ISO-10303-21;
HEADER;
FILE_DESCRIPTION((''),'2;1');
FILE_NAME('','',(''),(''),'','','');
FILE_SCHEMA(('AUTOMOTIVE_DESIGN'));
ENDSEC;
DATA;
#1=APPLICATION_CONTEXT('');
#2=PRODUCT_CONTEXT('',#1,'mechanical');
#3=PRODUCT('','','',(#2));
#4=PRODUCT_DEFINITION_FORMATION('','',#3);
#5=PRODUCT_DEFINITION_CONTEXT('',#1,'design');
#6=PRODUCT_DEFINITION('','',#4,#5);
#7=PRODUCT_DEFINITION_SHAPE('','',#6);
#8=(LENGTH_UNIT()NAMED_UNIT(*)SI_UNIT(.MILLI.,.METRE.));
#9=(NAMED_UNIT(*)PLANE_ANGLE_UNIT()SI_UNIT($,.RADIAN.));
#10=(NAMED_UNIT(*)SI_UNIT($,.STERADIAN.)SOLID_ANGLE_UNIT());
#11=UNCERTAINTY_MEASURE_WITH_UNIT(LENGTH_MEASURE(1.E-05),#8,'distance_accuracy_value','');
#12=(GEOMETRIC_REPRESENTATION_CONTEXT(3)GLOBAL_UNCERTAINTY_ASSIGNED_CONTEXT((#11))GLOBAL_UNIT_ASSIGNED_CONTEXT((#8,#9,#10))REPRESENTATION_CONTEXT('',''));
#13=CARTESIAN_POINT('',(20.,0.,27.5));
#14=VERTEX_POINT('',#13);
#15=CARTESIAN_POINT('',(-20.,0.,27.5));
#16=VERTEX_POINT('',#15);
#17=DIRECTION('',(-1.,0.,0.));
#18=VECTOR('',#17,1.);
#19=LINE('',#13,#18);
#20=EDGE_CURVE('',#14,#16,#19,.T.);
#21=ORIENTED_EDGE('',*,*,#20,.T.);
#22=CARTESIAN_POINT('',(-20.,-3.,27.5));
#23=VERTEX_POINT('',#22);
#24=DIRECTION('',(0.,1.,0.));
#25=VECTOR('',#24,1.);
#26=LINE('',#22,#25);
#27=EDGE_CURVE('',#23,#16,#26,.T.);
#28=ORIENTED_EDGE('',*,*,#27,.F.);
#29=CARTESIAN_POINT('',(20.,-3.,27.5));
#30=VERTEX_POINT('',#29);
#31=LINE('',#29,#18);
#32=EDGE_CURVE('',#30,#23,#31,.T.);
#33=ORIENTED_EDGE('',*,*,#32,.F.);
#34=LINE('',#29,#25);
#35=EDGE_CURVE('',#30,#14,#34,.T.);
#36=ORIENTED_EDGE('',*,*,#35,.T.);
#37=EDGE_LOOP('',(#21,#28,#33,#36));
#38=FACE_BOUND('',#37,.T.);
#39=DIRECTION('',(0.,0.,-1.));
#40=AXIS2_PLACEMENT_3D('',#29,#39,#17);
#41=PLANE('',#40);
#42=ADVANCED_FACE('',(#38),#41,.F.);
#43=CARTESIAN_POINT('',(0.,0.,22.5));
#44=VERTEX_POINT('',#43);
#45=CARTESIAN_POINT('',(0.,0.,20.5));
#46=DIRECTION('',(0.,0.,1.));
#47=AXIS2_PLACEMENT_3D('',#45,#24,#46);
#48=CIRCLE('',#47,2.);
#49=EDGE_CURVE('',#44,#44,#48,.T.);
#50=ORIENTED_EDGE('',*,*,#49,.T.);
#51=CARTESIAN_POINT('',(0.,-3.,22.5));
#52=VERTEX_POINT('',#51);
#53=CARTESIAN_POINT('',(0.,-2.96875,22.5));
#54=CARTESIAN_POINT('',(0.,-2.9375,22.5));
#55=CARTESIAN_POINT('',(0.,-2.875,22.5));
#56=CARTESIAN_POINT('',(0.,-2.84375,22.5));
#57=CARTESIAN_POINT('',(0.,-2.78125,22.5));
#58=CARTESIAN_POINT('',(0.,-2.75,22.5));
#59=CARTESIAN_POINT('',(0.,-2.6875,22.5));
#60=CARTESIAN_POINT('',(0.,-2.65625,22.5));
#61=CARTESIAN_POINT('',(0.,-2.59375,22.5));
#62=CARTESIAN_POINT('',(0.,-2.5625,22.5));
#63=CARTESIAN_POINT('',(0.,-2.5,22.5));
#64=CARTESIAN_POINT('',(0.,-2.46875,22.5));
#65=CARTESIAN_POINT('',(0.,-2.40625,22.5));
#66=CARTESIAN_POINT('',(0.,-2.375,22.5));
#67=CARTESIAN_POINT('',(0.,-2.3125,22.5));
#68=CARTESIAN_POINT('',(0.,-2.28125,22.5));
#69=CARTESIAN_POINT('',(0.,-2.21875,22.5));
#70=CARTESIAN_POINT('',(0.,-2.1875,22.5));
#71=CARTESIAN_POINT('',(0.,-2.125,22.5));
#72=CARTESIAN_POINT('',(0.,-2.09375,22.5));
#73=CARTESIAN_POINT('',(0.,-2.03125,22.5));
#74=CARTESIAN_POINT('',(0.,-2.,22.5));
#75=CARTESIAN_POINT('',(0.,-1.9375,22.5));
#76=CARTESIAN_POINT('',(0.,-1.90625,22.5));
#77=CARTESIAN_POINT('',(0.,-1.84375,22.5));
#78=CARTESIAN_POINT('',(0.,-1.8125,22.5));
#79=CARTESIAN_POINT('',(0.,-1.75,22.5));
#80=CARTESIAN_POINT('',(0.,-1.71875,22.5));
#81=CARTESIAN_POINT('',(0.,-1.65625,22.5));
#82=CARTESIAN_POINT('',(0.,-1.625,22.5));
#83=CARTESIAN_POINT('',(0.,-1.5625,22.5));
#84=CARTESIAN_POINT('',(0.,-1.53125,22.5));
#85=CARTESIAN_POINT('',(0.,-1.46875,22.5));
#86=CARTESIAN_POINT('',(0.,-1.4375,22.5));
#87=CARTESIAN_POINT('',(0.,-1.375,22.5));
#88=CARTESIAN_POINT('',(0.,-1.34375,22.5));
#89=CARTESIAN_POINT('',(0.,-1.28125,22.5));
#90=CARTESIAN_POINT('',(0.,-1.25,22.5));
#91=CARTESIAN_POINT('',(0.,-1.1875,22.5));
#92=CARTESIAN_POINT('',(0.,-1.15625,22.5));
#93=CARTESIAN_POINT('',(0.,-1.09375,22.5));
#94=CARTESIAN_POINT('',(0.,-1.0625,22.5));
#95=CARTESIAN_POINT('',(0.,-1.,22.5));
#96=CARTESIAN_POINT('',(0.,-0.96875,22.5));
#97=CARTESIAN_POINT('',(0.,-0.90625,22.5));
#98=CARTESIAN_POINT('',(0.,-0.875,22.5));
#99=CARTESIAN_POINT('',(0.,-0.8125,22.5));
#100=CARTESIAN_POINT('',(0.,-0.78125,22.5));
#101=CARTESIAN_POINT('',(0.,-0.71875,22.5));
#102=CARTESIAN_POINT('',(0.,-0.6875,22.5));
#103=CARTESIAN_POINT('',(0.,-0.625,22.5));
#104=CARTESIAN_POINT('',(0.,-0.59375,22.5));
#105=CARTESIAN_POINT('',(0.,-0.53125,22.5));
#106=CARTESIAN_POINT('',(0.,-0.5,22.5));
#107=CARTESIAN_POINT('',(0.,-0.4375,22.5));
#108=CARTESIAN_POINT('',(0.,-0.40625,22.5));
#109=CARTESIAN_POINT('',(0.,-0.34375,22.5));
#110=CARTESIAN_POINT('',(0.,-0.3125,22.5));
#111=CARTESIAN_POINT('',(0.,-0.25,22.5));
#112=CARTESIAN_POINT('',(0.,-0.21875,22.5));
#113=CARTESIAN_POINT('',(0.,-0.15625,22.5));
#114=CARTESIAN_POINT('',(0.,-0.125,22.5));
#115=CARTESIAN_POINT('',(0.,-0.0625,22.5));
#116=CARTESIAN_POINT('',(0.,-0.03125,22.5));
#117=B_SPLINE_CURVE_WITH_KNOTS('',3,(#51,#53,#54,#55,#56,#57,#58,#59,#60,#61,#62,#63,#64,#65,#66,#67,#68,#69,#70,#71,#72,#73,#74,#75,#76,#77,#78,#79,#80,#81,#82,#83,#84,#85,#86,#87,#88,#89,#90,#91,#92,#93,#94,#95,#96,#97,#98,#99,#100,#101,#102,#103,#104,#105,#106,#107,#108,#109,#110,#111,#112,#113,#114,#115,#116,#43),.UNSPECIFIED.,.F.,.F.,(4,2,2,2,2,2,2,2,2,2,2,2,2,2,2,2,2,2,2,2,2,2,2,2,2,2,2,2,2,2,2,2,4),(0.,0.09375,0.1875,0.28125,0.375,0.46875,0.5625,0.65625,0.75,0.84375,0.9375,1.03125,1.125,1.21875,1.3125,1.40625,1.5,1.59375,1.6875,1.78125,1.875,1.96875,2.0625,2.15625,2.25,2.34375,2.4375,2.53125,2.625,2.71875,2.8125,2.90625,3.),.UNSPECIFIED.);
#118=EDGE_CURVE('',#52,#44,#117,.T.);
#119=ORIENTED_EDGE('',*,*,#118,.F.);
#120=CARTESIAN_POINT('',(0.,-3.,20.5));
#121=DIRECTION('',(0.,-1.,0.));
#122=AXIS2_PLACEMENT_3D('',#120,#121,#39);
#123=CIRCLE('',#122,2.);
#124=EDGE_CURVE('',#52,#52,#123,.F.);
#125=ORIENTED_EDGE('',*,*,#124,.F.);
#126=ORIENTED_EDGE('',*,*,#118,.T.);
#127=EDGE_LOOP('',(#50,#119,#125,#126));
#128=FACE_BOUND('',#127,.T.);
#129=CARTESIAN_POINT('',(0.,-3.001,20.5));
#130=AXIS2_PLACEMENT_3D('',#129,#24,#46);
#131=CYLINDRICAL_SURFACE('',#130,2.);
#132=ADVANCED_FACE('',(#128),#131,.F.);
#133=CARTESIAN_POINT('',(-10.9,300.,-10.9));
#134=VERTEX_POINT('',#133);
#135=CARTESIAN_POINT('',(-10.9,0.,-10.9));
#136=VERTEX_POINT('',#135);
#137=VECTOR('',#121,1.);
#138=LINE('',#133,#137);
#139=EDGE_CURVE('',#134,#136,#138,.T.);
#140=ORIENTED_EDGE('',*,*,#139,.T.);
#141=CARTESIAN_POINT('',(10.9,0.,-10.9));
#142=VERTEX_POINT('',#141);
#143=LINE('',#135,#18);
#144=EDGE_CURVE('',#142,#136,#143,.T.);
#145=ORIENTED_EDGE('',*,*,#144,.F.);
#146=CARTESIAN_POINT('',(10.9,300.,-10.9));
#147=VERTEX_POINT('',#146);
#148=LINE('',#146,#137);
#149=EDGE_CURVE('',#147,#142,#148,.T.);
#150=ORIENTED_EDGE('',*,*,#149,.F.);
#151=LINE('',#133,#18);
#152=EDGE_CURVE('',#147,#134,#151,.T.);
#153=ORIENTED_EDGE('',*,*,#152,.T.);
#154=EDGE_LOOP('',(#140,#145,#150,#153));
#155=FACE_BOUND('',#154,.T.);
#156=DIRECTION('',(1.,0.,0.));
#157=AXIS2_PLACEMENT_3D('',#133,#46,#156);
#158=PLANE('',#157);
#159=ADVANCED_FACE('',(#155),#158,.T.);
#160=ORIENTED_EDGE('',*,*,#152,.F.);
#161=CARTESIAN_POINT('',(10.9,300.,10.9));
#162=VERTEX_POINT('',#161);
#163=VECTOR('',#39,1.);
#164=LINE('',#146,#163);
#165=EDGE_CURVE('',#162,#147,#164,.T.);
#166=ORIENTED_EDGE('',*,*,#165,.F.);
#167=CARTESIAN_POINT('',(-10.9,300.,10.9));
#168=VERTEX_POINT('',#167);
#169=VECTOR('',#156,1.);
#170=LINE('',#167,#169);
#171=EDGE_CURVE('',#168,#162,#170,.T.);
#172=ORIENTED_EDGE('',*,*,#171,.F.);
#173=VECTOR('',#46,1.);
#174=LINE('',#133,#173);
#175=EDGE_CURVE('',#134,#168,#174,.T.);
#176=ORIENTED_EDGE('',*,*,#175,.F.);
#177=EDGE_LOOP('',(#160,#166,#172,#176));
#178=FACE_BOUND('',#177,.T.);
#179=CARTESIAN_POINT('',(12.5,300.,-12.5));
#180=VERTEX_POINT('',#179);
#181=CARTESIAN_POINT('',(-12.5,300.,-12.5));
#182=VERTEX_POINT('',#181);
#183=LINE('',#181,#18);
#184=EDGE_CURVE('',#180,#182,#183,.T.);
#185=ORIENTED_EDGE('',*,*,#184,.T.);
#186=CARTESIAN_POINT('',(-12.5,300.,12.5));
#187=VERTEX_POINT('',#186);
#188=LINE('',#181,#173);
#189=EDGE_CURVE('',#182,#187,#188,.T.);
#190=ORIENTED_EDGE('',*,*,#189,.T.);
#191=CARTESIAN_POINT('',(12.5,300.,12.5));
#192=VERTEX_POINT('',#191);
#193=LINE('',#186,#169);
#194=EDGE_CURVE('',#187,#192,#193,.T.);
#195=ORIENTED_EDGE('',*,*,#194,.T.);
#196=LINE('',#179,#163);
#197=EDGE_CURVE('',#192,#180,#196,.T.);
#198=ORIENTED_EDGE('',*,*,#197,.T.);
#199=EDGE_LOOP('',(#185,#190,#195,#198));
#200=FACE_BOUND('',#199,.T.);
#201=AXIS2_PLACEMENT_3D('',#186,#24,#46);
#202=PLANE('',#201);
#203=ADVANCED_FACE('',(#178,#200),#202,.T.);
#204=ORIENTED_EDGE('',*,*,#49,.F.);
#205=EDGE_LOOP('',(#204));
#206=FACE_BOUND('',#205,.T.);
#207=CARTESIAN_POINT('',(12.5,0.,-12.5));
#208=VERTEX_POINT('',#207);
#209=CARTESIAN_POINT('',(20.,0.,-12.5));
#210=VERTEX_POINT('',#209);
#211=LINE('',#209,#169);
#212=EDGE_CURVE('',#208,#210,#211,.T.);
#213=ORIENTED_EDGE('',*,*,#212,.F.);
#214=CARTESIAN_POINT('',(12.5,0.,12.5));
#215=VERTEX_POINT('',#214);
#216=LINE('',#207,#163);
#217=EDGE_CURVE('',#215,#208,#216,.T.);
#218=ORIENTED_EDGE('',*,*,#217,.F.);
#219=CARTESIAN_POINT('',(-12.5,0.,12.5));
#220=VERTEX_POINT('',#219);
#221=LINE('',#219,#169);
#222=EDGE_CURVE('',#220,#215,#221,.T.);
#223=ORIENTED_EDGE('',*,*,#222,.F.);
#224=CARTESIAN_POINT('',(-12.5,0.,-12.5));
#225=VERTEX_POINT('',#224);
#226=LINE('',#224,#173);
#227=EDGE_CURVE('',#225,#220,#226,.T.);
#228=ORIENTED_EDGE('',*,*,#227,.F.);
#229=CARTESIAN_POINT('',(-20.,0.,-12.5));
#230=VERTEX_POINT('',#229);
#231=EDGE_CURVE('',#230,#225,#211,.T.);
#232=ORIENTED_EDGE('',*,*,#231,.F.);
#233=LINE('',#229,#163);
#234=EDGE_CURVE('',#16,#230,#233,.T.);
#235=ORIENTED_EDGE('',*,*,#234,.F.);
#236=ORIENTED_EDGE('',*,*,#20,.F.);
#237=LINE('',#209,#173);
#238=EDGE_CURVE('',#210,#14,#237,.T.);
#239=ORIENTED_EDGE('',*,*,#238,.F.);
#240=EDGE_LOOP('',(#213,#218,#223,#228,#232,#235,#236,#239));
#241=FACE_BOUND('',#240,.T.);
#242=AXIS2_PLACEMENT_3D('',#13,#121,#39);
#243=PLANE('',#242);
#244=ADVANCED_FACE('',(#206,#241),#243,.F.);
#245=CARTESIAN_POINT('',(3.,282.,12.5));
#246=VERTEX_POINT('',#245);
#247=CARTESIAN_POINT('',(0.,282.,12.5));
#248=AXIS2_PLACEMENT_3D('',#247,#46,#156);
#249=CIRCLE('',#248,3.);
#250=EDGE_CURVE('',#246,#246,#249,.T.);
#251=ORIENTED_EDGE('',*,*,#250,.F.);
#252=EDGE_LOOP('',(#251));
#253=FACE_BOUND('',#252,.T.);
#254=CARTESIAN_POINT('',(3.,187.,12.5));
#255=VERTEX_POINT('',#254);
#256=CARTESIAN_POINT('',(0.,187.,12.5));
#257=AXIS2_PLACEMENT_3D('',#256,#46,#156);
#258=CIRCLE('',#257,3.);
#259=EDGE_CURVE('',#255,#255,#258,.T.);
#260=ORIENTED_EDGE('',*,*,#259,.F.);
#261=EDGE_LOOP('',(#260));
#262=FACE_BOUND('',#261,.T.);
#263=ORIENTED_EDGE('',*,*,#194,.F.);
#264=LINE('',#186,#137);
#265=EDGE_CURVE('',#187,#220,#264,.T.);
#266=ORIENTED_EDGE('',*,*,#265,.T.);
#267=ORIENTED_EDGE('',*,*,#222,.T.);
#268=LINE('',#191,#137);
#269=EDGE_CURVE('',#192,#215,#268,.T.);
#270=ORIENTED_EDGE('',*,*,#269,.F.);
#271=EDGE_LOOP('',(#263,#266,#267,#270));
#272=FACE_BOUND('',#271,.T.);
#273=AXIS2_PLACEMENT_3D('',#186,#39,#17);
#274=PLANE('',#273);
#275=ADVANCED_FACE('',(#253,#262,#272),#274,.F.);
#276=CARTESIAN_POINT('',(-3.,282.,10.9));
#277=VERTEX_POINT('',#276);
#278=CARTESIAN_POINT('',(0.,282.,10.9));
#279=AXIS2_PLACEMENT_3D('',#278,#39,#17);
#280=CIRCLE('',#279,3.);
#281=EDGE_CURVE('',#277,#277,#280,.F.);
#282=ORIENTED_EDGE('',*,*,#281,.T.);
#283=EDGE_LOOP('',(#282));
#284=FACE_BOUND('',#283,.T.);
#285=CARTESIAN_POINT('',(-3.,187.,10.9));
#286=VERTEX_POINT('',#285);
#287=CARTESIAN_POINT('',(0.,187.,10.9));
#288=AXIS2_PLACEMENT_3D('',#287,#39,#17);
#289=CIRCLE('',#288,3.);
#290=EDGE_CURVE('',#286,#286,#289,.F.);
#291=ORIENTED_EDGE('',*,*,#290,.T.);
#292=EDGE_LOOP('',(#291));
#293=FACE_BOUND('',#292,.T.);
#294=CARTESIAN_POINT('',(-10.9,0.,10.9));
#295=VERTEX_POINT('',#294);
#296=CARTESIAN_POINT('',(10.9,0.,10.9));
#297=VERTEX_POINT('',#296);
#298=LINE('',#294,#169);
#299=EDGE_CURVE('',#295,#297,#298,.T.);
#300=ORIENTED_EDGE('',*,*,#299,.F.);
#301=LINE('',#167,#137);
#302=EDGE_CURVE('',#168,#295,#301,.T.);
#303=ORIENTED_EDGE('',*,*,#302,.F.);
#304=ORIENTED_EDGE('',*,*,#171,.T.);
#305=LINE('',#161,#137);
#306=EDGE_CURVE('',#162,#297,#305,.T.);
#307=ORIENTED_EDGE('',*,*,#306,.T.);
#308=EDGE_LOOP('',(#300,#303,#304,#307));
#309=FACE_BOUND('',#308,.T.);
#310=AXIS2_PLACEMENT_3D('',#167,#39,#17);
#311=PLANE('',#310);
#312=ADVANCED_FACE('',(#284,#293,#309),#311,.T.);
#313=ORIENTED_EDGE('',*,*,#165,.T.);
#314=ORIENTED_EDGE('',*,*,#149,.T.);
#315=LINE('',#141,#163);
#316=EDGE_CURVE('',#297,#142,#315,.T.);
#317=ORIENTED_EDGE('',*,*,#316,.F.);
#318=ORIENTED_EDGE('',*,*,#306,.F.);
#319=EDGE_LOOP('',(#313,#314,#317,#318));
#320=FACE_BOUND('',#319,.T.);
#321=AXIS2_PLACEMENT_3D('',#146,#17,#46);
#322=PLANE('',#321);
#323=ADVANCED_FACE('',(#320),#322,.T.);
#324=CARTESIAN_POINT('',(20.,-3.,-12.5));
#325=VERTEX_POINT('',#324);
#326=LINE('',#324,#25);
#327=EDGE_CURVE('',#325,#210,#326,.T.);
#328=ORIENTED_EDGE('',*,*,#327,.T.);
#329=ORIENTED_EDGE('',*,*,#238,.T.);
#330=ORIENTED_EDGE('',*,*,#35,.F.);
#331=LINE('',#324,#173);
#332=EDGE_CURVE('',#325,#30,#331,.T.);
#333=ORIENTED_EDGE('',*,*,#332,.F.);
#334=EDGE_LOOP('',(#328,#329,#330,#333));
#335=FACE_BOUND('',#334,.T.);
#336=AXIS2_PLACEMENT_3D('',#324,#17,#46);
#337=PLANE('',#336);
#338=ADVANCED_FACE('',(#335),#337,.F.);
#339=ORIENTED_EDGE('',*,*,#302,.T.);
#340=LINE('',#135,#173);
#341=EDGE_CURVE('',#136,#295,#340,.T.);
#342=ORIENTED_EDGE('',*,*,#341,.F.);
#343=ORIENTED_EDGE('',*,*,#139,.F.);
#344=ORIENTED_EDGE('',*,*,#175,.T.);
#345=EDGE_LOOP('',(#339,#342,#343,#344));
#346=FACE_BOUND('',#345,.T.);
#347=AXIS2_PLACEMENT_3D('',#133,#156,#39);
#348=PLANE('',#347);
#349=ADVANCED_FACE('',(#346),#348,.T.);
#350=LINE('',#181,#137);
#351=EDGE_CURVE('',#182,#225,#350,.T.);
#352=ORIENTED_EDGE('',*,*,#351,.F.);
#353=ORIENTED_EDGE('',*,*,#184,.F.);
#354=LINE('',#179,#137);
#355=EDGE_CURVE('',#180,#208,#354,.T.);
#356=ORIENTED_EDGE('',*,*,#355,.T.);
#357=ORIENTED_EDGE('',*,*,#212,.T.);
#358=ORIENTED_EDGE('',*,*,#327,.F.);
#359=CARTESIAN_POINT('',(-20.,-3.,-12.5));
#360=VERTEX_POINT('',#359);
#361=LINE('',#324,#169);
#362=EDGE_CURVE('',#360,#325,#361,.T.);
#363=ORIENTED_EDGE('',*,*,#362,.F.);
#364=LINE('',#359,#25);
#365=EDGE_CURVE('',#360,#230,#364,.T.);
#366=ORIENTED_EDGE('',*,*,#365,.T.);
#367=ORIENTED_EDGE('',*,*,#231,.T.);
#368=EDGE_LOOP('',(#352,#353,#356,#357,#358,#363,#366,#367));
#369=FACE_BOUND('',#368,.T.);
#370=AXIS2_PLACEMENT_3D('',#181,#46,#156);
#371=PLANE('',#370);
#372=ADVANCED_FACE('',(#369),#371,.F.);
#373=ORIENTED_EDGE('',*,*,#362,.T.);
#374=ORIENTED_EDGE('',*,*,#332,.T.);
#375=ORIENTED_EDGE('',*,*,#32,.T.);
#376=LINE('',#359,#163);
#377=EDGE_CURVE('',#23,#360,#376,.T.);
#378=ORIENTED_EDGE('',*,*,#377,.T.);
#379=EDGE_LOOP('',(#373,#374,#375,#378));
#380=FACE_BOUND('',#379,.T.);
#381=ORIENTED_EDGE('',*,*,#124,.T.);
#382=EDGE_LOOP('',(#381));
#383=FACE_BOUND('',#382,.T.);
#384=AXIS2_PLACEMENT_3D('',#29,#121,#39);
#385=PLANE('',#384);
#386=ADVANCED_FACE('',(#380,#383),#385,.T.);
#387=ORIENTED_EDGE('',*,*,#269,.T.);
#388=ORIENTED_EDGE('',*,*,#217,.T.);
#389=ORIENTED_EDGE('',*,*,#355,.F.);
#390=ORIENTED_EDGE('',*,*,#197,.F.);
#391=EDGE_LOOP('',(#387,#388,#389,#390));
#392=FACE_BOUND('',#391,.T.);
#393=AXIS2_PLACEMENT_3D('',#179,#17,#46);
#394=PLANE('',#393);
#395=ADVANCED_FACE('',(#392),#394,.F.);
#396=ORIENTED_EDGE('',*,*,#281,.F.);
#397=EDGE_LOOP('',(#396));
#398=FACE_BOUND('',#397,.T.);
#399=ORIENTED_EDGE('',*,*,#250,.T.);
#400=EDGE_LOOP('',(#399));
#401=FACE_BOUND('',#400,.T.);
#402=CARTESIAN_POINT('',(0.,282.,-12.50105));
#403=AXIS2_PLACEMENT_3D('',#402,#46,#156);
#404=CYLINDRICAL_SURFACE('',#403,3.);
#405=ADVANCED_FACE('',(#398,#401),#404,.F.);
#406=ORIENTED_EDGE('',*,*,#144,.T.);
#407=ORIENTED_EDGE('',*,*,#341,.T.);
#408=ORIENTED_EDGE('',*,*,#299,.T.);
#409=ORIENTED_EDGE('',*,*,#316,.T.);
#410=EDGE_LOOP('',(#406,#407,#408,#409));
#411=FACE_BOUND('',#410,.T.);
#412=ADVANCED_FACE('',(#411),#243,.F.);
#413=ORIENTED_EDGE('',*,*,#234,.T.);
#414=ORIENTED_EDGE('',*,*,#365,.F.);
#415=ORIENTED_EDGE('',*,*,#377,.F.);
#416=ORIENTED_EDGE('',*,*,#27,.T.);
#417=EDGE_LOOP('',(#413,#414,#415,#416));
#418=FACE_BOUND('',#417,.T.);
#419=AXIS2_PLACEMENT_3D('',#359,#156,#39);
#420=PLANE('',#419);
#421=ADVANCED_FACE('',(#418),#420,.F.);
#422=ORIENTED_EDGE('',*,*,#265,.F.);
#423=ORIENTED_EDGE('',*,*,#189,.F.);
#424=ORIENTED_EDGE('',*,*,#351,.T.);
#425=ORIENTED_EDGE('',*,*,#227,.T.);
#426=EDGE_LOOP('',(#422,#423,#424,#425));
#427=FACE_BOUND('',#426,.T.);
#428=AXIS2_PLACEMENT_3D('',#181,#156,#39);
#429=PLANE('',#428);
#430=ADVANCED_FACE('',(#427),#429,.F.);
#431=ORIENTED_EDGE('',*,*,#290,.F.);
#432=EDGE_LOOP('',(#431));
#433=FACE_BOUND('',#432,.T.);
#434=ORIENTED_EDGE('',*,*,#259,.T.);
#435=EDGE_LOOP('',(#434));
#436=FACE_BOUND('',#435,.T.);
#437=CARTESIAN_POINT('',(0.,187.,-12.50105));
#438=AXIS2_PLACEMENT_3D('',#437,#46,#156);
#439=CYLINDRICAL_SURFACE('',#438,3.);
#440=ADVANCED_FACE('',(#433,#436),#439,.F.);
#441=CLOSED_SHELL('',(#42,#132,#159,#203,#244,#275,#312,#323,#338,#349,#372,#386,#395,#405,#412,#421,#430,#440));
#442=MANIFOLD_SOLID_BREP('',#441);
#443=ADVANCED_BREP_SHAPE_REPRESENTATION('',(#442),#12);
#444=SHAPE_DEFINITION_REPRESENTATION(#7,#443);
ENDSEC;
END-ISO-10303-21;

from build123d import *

# Parameters (mm, degrees)
SKETCH1_W           = 25
SKETCH1_H           = 25
SKETCH1_W_2         = 21.8
SKETCH1_H_2         = 21.8
BOSS_EXTRUDE1_DEPTH = 300
SKETCH2_W           = 40
SKETCH2_H           = 40
BOSS_EXTRUDE2_DEPTH = 3
CUT_EXTRUDE1_REACH  = 303.703
SKETCH3_R           = 3
CUT_EXTRUDE2_REACH  = 303.921
SKETCH4_R           = 2


with BuildPart() as part:
    # Sketch1 → Boss-Extrude1 (new body)
    with BuildSketch(Plane(origin=(0, 0, 0), x_dir=(1, 0, 0), z_dir=(0, 1, 0))):
        Rectangle(SKETCH1_W, SKETCH1_H)
        Rectangle(SKETCH1_W_2, SKETCH1_H_2, mode=Mode.SUBTRACT)
    extrude(amount=BOSS_EXTRUDE1_DEPTH)

    # Sketch2 → Boss-Extrude2 (add)
    with BuildSketch(Plane.XZ):
        with Locations((0, 7.5)):
            Rectangle(SKETCH2_W, SKETCH2_H)
    extrude(amount=BOSS_EXTRUDE2_DEPTH)

    # Sketch3 → Cut-Extrude1 (cut, up to next)
    with BuildSketch(Plane.XY.offset(12.5), mode=Mode.PRIVATE) as cut_extrude1_sk1:
        with Locations((0, 187)):
            Circle(SKETCH3_R)
    cut_extrude1_tool1 = extrude(cut_extrude1_sk1.sketch, amount=-CUT_EXTRUDE1_REACH, mode=Mode.PRIVATE) & part.part
    # Sketch3 → Cut-Extrude1 (cut, up to next)
    with BuildSketch(Plane.XY.offset(12.5), mode=Mode.PRIVATE) as cut_extrude1_sk2:
        with Locations((0, 282)):
            Circle(SKETCH3_R)
    cut_extrude1_tool2 = extrude(cut_extrude1_sk2.sketch, amount=-CUT_EXTRUDE1_REACH, mode=Mode.PRIVATE) & part.part
    add(cut_extrude1_tool1.solids().sort_by_distance((0, 187, 12.5))[0], mode=Mode.SUBTRACT)
    add(cut_extrude1_tool2.solids().sort_by_distance((0, 282, 12.5))[0], mode=Mode.SUBTRACT)

    # Sketch4 → Cut-Extrude2 (cut, up to next)
    with BuildSketch(Plane(origin=(0, 0, 0), x_dir=(1, 0, 0), z_dir=(0, 1, 0)), mode=Mode.PRIVATE) as cut_extrude2_sk1:
        with Locations(Location((0, -20.5, 0), (0, 0, 270))):
            Circle(SKETCH4_R)
    cut_extrude2_tool1 = extrude(cut_extrude2_sk1.sketch, amount=-CUT_EXTRUDE2_REACH, mode=Mode.PRIVATE) & part.part
    add(cut_extrude2_tool1.solids().sort_by_distance((0, 0, 20.5))[0], mode=Mode.SUBTRACT)


solid = part.part
